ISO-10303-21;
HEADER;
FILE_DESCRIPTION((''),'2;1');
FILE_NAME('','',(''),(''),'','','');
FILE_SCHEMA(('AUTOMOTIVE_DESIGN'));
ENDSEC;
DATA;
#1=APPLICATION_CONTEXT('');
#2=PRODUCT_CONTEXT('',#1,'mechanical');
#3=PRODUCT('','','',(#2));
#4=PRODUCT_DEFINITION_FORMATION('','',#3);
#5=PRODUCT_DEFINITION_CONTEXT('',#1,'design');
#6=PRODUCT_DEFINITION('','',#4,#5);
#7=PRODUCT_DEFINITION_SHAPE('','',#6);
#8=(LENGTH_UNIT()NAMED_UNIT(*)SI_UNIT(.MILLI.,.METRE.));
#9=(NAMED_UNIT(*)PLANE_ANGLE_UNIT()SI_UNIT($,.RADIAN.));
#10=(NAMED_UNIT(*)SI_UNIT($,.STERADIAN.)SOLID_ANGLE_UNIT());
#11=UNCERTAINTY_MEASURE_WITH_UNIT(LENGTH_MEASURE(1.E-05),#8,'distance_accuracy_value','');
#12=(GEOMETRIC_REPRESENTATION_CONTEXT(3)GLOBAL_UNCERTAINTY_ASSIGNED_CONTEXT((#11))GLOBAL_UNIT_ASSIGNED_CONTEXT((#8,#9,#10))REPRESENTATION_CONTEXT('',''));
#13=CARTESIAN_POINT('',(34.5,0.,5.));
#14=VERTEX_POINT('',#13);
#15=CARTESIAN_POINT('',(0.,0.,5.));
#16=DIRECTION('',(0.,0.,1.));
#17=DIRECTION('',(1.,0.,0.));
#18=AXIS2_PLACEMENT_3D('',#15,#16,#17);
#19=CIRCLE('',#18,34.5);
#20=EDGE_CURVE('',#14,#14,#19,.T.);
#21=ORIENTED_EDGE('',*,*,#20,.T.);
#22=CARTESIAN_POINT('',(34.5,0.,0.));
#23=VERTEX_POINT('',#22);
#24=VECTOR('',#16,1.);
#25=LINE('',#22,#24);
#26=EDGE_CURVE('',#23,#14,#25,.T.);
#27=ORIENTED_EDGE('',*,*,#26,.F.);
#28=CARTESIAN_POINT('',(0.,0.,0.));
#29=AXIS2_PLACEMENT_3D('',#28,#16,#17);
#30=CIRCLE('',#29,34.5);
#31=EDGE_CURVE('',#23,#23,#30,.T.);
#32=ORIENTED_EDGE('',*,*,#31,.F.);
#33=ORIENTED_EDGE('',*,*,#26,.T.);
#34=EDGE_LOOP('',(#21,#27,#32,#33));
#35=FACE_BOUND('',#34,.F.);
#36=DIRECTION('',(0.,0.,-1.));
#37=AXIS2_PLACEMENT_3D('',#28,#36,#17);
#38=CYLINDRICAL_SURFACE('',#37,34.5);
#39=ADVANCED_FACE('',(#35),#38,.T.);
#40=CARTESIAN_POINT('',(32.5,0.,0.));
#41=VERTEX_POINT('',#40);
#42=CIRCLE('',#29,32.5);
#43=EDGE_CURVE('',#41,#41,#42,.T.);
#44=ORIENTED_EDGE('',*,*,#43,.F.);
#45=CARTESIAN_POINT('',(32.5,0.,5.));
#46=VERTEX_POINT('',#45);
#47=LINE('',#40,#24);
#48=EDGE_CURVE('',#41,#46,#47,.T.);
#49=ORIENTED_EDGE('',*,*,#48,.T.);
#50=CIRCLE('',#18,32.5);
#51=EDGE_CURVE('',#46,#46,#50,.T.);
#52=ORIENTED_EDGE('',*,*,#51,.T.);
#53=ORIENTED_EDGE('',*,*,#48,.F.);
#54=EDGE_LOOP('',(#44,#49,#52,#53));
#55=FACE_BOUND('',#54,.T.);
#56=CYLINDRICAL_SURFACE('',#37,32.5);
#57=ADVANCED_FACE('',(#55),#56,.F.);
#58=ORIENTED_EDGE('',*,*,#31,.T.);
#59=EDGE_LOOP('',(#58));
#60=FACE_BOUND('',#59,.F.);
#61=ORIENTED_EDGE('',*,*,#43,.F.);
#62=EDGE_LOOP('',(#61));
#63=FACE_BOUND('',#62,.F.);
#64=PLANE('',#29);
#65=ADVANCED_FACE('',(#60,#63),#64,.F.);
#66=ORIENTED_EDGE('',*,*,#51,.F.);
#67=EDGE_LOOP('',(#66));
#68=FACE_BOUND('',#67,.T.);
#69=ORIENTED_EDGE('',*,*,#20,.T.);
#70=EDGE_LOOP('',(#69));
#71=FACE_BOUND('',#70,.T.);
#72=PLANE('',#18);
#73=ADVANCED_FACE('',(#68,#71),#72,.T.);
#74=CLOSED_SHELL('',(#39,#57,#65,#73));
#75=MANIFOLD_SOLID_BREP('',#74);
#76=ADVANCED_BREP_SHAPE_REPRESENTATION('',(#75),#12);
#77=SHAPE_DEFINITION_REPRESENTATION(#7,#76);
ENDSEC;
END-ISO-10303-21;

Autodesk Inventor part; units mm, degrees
ref_plane "YZ Plane" through (0, 0, 0) normal (1, 0, 0) x (0, 1, 0)
ref_plane "XZ Plane" through (0, 0, 0) normal (0, 1, 0) x (-1, 0, 0)
ref_plane "XY Plane" through (0, 0, 0) normal (0, 0, 1) x (1, 0, 0)
sketch "Sketch1" plane through (0, 0, 0) normal (0, 0, 1) x (1, 0, 0)
  circle A0 centre (0, 0) radius 32.5
  circle A1 centre (0, 0) radius 34.5
  dimension "d0" = 65
  dimension "d1" = 2
extrude "Extrusion1" add sketch "Sketch1" along normal blind 5
properties part number "flange-mesh-ring" material "Stainless Steel"
